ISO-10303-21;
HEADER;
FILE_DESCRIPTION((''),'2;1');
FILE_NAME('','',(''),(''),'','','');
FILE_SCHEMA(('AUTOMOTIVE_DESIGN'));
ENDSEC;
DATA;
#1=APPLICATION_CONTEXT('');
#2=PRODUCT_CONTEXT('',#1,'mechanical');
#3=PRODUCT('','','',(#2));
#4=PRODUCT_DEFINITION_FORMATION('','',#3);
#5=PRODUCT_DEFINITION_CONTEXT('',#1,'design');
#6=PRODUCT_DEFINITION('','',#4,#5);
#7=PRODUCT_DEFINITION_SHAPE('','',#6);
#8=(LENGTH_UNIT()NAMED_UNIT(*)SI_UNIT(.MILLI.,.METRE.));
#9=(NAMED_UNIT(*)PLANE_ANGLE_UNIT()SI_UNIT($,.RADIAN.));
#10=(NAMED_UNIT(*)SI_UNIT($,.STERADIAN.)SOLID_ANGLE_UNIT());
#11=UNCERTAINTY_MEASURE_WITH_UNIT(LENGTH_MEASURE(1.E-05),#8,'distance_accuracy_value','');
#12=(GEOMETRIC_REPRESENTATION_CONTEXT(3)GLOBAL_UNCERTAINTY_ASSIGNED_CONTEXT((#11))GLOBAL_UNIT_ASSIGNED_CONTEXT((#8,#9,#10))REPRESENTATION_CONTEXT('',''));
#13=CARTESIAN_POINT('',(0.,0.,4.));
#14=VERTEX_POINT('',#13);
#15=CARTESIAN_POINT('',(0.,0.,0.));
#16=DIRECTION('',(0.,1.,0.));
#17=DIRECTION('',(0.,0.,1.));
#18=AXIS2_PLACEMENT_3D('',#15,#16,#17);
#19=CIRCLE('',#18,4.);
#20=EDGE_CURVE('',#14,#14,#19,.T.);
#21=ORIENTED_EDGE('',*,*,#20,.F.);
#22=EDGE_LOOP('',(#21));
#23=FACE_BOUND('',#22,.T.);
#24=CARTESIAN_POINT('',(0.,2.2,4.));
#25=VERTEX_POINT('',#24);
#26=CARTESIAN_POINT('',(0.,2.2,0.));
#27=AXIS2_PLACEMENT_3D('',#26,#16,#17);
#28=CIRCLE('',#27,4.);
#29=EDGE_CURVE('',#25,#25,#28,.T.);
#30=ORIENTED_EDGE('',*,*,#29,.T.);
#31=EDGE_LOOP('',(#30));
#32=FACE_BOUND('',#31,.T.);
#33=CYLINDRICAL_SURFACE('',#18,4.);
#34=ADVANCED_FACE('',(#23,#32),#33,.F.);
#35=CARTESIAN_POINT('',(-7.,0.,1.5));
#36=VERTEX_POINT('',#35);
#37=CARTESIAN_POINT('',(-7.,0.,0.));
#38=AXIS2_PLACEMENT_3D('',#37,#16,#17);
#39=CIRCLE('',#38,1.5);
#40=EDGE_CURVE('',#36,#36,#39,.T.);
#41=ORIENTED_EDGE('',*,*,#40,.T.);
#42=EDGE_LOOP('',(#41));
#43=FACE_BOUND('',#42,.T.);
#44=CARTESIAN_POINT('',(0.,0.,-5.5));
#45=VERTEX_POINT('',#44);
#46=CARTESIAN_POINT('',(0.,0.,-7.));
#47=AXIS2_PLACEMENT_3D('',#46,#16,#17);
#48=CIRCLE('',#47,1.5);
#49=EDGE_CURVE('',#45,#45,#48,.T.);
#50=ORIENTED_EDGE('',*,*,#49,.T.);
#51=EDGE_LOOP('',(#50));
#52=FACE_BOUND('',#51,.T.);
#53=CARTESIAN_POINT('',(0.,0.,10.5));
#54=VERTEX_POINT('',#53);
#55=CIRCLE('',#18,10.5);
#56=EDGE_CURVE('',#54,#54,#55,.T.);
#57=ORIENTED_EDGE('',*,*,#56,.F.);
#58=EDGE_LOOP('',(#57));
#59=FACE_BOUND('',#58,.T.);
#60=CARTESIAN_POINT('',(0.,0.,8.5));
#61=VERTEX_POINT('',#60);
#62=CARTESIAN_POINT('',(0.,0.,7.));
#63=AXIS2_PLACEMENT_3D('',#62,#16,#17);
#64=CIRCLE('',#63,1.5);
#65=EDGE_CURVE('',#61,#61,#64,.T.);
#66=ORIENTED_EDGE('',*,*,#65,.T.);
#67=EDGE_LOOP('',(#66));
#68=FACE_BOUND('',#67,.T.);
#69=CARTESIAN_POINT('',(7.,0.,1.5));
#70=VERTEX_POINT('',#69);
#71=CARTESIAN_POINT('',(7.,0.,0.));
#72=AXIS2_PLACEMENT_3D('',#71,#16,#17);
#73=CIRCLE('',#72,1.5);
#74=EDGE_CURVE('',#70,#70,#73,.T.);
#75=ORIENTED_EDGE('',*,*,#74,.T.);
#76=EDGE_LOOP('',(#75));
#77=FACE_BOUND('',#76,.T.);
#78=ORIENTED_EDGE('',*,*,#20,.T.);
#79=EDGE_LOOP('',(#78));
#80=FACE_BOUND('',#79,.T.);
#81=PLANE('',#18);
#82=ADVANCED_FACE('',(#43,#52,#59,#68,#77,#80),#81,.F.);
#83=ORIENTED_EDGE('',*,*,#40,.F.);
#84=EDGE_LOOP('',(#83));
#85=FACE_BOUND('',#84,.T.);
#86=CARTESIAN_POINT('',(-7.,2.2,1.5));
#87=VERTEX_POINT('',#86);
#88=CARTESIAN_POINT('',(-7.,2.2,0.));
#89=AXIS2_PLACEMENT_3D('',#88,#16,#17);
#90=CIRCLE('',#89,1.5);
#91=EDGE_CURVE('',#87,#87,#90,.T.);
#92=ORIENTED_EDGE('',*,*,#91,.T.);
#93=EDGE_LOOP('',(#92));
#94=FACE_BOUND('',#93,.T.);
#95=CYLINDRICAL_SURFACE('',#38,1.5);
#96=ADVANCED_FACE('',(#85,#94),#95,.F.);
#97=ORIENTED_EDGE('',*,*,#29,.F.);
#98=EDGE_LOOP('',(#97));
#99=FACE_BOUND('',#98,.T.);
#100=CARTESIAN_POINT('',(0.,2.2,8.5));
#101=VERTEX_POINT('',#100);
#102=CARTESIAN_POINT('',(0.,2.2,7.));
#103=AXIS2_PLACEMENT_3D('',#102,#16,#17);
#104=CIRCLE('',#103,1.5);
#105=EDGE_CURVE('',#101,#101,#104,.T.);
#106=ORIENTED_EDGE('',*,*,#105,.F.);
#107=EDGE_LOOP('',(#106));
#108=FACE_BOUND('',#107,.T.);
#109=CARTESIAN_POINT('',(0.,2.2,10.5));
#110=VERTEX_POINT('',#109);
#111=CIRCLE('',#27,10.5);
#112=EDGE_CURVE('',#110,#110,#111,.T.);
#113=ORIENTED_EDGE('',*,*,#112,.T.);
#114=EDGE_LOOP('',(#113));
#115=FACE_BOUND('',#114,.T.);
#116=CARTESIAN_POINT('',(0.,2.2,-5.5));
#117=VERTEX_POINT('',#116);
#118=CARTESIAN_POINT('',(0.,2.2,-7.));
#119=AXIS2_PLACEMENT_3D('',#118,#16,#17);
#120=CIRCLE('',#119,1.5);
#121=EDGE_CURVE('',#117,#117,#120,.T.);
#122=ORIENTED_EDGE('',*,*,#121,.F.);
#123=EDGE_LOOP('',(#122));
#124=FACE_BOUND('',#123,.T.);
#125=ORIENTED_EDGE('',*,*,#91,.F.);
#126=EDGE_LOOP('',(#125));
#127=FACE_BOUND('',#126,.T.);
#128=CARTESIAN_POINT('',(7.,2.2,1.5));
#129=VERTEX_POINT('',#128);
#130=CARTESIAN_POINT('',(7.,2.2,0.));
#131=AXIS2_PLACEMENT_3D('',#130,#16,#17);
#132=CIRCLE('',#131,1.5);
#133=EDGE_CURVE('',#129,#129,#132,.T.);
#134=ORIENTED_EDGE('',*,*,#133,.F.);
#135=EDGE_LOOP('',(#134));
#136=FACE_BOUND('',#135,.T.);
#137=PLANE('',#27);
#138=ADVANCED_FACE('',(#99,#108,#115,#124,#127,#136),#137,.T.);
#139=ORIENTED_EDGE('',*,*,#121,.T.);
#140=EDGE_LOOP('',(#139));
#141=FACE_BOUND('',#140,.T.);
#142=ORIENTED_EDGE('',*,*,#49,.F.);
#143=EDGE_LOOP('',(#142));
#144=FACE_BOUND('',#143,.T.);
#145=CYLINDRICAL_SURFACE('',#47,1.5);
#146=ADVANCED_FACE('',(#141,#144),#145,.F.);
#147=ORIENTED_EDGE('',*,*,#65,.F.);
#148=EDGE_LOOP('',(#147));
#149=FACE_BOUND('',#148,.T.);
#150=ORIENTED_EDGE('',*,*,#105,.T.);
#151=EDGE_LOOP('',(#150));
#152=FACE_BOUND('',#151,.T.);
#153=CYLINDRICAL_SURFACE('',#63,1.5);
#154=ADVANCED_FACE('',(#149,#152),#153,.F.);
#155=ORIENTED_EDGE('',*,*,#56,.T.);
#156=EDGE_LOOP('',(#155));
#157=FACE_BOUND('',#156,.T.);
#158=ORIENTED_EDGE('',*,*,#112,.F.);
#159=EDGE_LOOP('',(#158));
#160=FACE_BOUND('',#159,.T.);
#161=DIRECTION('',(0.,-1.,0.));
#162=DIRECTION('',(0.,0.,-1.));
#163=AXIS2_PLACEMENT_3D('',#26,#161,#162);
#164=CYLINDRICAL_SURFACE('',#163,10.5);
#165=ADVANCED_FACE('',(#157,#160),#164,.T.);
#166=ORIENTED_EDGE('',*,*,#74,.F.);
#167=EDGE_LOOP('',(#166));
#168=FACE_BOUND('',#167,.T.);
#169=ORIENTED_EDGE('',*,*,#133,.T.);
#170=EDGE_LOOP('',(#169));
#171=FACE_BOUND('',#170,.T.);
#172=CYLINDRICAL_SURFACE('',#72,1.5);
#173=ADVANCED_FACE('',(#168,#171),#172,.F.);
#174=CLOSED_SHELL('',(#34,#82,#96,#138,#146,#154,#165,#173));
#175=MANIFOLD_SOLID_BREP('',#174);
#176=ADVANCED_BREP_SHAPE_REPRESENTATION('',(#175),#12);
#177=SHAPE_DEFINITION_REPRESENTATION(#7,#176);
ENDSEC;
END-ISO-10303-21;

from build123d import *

# Parameters (mm, degrees)
SKETCH1_R           = 10.5
BOSS_EXTRUDE1_DEPTH = 2.2
SKETCH2_R           = 4
SKETCH2_R_2         = 1.5
CUT_EXTRUDE1_DEPTH  = 2.2


with BuildPart() as part:
    # Sketch1 → Boss-Extrude1 (new body)
    with BuildSketch(Plane(origin=(0, 0, 0), x_dir=(1, 0, 0), z_dir=(0, 1, 0))):
        with Locations(Location((0, 0, 0), (0, 0, 270))):
            Circle(SKETCH1_R)
    extrude(amount=BOSS_EXTRUDE1_DEPTH)

    # Sketch2 → Cut-Extrude1 (cut)
    with BuildSketch(Plane(origin=(0, 2.2, 0), x_dir=(1, 0, 0), z_dir=(0, 1, 0))):
        with Locations(Location((0, 0, 0), (0, 0, 270))):
            Circle(SKETCH2_R)
        with Locations(Location((0, 7, 0), (0, 0, 270))):
            Circle(SKETCH2_R_2)
        with Locations(Location((7, 0, 0), (0, 0, 270))):
            Circle(SKETCH2_R_2)
        with Locations(Location((0, -7, 0), (0, 0, 270))):
            Circle(SKETCH2_R_2)
        with Locations(Location((-7, 0, 0), (0, 0, 270))):
            Circle(SKETCH2_R_2)
    extrude(amount=-CUT_EXTRUDE1_DEPTH, mode=Mode.SUBTRACT)


solid = part.part
